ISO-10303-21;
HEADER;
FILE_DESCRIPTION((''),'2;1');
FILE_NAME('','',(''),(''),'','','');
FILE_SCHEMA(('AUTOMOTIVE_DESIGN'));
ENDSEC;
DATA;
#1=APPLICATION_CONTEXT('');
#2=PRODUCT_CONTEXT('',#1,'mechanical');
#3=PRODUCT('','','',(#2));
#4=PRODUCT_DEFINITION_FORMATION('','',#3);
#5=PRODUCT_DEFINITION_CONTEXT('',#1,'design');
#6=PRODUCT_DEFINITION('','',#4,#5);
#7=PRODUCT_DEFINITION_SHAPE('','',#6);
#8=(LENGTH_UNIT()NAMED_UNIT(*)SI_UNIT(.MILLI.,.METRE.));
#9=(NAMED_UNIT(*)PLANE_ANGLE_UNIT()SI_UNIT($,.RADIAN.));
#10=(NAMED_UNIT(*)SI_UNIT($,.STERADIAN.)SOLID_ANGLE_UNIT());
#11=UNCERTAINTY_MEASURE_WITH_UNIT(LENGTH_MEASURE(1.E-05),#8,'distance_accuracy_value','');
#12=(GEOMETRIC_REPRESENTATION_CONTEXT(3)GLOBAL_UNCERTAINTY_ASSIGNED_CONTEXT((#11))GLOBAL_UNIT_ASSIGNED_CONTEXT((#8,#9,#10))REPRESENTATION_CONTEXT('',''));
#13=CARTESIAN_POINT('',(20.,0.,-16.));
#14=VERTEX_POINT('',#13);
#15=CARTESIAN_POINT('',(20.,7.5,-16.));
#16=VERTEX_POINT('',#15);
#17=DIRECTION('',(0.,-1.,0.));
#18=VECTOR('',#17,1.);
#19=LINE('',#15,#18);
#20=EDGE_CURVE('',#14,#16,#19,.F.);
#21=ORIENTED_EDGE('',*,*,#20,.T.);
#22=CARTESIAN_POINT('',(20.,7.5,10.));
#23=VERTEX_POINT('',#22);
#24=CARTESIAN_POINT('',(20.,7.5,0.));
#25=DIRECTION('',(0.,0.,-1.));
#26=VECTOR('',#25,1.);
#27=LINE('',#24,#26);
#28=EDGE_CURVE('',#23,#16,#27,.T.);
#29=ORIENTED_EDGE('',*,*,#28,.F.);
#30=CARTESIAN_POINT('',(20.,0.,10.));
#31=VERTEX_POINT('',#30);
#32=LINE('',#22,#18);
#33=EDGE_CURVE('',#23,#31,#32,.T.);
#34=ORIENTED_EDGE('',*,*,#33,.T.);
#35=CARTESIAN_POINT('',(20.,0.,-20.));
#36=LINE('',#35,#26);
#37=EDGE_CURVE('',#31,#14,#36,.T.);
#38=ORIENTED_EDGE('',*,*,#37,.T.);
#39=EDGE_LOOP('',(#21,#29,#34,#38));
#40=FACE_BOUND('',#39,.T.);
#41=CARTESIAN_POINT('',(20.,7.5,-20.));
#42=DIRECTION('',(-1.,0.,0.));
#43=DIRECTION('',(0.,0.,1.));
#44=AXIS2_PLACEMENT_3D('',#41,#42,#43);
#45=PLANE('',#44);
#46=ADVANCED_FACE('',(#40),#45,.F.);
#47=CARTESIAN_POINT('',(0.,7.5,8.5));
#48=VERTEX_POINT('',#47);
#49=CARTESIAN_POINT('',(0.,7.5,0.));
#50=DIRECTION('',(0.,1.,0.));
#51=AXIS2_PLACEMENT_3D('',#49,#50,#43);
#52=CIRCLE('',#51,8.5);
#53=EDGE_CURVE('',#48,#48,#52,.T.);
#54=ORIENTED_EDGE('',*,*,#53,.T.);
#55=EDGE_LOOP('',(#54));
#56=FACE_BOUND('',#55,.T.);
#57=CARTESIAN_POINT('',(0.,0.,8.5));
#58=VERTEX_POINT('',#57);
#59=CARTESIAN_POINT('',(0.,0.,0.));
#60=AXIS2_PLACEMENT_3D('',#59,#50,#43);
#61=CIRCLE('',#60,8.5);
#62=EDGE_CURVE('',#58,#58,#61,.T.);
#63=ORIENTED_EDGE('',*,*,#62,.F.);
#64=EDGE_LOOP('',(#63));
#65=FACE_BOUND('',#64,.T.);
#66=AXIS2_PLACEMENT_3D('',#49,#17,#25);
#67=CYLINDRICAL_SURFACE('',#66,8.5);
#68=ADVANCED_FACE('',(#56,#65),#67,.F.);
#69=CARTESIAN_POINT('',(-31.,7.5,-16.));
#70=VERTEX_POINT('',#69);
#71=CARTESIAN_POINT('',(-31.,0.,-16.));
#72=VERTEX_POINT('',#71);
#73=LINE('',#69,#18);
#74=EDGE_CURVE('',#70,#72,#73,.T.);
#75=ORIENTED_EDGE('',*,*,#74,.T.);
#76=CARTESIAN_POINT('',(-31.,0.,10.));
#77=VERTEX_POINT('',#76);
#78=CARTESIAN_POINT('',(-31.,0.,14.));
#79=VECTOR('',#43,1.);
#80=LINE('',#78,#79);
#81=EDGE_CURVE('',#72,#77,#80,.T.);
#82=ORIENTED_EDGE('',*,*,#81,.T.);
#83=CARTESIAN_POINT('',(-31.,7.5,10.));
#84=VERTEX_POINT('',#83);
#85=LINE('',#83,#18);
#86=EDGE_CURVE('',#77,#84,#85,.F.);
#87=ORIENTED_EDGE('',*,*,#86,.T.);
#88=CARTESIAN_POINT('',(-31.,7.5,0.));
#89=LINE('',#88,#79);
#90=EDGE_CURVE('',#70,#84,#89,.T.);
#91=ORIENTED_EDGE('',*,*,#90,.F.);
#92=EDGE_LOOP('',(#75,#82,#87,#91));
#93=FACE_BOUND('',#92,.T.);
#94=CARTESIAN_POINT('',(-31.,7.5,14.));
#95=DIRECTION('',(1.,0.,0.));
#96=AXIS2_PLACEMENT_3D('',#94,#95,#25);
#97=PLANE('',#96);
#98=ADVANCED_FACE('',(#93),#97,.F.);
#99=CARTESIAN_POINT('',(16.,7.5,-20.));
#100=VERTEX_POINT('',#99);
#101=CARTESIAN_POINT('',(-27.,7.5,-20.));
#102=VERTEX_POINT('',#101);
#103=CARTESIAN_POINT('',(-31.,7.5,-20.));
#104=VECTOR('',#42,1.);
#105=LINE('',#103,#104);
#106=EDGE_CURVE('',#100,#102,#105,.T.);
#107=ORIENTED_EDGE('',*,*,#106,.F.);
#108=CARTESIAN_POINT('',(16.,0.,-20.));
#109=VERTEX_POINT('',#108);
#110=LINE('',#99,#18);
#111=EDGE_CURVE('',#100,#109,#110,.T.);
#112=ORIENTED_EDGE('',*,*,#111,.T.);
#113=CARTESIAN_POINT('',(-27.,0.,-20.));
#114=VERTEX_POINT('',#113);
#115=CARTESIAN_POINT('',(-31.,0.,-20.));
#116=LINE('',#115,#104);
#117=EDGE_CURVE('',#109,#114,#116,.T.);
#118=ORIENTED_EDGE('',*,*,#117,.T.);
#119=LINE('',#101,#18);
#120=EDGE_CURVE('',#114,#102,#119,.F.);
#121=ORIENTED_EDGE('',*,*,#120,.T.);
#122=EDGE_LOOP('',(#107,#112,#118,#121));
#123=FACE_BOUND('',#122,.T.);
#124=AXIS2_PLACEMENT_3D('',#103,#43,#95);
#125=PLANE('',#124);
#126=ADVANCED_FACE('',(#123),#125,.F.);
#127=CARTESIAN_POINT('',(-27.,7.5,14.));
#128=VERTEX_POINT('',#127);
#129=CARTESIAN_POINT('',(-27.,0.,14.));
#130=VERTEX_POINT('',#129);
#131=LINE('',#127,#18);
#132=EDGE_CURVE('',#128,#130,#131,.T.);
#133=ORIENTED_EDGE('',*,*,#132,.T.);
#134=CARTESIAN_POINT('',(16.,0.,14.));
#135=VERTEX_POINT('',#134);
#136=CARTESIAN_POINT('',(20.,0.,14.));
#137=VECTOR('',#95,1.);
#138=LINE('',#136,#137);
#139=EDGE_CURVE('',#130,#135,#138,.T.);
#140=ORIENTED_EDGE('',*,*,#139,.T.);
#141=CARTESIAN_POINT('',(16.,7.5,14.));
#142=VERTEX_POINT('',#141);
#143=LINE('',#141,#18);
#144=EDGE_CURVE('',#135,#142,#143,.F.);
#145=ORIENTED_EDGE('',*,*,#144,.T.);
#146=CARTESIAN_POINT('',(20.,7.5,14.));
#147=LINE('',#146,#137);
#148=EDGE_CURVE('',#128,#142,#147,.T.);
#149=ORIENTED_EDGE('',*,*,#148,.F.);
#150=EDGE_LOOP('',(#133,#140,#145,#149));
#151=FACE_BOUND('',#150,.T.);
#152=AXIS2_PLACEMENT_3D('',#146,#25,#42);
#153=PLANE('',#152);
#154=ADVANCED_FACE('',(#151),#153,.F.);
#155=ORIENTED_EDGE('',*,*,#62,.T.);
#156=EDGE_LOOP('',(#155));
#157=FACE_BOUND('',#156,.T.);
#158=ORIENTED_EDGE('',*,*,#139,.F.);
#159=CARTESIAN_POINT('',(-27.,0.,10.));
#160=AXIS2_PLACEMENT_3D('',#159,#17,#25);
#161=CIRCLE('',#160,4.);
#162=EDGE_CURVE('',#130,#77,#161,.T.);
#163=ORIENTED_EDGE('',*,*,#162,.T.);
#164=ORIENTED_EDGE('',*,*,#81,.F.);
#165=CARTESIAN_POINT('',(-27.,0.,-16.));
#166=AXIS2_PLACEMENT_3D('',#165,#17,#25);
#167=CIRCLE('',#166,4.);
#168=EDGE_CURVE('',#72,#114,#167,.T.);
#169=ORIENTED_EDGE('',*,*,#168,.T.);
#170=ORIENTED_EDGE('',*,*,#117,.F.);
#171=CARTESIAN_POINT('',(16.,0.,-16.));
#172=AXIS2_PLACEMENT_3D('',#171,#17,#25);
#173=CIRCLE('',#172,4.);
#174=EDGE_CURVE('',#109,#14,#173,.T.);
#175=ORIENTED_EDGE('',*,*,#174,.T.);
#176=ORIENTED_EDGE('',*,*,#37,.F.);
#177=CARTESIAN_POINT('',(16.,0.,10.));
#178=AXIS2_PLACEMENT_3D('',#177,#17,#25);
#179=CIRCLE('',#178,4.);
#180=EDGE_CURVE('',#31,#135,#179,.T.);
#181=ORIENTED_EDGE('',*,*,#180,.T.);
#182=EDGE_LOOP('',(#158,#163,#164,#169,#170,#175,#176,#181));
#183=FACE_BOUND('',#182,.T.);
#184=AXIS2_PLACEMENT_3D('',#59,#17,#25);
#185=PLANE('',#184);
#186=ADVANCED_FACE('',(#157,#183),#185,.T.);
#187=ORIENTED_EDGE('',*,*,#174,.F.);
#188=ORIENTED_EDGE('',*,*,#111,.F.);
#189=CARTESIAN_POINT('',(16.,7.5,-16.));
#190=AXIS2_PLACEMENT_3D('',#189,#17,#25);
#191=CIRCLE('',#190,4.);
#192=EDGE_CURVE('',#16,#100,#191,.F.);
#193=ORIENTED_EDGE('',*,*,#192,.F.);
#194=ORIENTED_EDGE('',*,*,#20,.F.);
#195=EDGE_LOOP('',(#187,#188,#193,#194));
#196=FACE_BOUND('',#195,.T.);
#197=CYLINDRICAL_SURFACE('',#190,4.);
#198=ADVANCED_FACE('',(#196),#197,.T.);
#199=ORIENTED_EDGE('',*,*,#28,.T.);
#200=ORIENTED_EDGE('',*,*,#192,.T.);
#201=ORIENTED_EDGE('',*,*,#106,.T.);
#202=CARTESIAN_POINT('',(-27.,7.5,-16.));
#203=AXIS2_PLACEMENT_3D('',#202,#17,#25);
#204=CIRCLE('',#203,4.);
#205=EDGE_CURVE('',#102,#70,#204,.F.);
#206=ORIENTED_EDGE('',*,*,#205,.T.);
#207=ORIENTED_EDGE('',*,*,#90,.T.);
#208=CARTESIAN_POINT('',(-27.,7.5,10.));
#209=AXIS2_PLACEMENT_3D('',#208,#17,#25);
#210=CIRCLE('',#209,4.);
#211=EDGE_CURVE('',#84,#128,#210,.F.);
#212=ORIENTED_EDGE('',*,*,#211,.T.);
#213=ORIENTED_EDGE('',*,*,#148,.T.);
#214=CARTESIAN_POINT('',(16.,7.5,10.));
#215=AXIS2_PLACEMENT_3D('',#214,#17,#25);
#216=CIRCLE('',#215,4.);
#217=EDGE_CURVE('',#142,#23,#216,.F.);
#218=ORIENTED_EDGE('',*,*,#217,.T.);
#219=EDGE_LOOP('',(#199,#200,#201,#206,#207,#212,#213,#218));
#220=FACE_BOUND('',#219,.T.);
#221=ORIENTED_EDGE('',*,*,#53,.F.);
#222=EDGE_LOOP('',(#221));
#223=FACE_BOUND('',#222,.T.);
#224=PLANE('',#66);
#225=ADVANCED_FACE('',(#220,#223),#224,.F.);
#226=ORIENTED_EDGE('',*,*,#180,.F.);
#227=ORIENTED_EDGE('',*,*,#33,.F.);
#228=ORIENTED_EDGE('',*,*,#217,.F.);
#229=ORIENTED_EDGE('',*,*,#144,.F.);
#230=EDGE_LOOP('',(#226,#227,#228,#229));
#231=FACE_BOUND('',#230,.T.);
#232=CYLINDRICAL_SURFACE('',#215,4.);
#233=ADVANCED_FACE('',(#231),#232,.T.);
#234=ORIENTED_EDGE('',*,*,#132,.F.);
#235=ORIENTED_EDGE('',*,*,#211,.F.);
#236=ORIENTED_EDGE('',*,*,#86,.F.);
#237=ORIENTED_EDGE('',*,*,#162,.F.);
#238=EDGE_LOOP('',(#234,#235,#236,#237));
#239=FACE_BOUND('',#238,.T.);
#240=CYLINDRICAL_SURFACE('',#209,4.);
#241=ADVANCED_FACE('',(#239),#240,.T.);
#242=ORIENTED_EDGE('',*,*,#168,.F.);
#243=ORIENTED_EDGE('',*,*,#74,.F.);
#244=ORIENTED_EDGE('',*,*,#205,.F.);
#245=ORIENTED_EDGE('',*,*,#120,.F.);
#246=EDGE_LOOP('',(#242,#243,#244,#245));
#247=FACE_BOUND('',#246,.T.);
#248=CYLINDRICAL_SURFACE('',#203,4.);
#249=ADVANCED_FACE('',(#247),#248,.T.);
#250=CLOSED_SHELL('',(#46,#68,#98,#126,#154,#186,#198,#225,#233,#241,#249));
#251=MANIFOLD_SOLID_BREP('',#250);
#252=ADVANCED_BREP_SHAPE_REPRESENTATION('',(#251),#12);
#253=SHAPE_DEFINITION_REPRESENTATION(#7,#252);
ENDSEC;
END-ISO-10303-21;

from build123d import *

# Parameters (mm, degrees)
SKETCH1_R           = 8.5
BOSS_EXTRUDE1_DEPTH = 7.5
FILLET1_R           = 4


with BuildPart() as part:
    # Sketch1 → Boss-Extrude1 (new body)
    with BuildSketch(Plane(origin=(0, 0, 0), x_dir=(1, 0, 0), z_dir=(0, 1, 0))):
        Polygon((-31, 0), (-31, 20), (20, 20), (20, 0), (20, -14), (-31, -14), align=None)
        with Locations(Location((0, 0, 0), (0, 0, 270))):
            Circle(SKETCH1_R, mode=Mode.SUBTRACT)
    extrude(amount=BOSS_EXTRUDE1_DEPTH)

    # Fillet1
    fillet1_edges = [part.edges().sort_by_distance(p)[0] for p in [
        (20, 3.75, 14),
        (-31, 3.75, 14),
        (-31, 3.75, -20),
        (20, 3.75, -20),
    ]]
    fillet(fillet1_edges, radius=FILLET1_R)


solid = part.part
